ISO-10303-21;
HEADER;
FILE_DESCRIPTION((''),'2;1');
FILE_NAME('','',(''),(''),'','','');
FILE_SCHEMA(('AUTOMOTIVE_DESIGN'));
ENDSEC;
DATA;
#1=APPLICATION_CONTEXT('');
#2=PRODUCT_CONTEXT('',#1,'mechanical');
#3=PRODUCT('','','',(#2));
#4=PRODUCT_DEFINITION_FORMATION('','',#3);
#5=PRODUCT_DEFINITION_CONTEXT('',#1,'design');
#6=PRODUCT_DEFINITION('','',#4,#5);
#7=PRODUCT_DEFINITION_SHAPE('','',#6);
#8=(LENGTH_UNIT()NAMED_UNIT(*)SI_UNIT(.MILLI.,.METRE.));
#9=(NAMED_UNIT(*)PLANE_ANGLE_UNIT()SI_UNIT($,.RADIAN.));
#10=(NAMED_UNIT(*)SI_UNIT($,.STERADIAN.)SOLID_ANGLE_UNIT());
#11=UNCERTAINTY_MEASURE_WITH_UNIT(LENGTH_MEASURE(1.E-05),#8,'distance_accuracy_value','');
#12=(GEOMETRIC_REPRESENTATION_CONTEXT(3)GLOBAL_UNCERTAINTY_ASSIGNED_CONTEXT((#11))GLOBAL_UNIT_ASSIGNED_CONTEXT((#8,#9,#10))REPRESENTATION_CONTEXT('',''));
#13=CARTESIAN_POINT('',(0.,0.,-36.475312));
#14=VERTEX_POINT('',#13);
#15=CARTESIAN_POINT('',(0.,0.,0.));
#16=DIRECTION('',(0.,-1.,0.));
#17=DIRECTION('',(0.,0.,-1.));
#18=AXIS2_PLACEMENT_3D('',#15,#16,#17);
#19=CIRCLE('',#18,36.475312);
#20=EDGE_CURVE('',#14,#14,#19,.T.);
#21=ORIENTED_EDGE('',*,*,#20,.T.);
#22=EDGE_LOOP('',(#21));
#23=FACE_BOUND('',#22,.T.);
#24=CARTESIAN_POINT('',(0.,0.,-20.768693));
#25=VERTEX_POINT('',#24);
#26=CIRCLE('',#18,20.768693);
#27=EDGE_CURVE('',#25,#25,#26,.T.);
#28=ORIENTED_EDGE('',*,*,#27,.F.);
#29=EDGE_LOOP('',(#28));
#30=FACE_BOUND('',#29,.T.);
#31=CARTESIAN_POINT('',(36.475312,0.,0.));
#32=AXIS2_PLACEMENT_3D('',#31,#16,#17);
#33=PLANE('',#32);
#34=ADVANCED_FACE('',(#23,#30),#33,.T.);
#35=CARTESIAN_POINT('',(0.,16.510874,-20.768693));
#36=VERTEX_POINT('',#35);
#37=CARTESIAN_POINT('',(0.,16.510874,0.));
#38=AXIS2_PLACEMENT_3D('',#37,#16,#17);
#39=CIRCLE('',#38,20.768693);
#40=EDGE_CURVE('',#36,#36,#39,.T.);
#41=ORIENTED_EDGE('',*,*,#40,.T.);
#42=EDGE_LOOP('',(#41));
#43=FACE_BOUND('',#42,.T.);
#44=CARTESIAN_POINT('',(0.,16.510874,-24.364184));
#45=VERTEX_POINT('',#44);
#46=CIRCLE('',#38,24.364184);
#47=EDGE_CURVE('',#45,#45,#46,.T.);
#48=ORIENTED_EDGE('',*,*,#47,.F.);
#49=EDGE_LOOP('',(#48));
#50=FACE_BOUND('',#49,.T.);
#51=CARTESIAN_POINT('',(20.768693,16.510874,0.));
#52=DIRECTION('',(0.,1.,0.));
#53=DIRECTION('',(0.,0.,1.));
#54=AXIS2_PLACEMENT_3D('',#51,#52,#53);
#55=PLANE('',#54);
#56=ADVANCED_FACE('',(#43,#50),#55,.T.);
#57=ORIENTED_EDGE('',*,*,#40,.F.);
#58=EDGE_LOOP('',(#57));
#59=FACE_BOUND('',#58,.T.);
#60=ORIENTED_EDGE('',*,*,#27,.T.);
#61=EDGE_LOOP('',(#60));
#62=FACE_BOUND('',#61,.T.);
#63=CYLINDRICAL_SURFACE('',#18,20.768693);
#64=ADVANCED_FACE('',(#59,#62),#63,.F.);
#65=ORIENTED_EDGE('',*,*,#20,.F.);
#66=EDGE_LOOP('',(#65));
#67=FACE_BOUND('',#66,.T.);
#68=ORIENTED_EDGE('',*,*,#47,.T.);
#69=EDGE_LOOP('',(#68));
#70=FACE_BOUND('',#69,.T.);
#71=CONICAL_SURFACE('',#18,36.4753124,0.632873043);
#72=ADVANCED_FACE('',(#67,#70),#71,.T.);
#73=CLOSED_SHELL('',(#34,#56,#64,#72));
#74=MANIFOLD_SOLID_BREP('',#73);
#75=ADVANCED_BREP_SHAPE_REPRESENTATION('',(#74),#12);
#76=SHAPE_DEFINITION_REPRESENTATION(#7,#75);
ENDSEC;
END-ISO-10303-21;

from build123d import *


with BuildPart() as part:
    # Esquisse1 → Révolution1 (revolve)
    with BuildSketch(Plane.XY, mode=Mode.PRIVATE) as r_volution1_sk:
        Polygon((20.768692793, 0), (20.768692793, 16.510874225), (24.364184029, 16.510874225), (36.4753124, 0), align=None)
    revolve(r_volution1_sk.sketch.rotate(Axis((0, 0, 0), (0, 1, 0)), 90), axis=Axis((0, 0, 0), (0, 1, 0)))


solid = part.part
